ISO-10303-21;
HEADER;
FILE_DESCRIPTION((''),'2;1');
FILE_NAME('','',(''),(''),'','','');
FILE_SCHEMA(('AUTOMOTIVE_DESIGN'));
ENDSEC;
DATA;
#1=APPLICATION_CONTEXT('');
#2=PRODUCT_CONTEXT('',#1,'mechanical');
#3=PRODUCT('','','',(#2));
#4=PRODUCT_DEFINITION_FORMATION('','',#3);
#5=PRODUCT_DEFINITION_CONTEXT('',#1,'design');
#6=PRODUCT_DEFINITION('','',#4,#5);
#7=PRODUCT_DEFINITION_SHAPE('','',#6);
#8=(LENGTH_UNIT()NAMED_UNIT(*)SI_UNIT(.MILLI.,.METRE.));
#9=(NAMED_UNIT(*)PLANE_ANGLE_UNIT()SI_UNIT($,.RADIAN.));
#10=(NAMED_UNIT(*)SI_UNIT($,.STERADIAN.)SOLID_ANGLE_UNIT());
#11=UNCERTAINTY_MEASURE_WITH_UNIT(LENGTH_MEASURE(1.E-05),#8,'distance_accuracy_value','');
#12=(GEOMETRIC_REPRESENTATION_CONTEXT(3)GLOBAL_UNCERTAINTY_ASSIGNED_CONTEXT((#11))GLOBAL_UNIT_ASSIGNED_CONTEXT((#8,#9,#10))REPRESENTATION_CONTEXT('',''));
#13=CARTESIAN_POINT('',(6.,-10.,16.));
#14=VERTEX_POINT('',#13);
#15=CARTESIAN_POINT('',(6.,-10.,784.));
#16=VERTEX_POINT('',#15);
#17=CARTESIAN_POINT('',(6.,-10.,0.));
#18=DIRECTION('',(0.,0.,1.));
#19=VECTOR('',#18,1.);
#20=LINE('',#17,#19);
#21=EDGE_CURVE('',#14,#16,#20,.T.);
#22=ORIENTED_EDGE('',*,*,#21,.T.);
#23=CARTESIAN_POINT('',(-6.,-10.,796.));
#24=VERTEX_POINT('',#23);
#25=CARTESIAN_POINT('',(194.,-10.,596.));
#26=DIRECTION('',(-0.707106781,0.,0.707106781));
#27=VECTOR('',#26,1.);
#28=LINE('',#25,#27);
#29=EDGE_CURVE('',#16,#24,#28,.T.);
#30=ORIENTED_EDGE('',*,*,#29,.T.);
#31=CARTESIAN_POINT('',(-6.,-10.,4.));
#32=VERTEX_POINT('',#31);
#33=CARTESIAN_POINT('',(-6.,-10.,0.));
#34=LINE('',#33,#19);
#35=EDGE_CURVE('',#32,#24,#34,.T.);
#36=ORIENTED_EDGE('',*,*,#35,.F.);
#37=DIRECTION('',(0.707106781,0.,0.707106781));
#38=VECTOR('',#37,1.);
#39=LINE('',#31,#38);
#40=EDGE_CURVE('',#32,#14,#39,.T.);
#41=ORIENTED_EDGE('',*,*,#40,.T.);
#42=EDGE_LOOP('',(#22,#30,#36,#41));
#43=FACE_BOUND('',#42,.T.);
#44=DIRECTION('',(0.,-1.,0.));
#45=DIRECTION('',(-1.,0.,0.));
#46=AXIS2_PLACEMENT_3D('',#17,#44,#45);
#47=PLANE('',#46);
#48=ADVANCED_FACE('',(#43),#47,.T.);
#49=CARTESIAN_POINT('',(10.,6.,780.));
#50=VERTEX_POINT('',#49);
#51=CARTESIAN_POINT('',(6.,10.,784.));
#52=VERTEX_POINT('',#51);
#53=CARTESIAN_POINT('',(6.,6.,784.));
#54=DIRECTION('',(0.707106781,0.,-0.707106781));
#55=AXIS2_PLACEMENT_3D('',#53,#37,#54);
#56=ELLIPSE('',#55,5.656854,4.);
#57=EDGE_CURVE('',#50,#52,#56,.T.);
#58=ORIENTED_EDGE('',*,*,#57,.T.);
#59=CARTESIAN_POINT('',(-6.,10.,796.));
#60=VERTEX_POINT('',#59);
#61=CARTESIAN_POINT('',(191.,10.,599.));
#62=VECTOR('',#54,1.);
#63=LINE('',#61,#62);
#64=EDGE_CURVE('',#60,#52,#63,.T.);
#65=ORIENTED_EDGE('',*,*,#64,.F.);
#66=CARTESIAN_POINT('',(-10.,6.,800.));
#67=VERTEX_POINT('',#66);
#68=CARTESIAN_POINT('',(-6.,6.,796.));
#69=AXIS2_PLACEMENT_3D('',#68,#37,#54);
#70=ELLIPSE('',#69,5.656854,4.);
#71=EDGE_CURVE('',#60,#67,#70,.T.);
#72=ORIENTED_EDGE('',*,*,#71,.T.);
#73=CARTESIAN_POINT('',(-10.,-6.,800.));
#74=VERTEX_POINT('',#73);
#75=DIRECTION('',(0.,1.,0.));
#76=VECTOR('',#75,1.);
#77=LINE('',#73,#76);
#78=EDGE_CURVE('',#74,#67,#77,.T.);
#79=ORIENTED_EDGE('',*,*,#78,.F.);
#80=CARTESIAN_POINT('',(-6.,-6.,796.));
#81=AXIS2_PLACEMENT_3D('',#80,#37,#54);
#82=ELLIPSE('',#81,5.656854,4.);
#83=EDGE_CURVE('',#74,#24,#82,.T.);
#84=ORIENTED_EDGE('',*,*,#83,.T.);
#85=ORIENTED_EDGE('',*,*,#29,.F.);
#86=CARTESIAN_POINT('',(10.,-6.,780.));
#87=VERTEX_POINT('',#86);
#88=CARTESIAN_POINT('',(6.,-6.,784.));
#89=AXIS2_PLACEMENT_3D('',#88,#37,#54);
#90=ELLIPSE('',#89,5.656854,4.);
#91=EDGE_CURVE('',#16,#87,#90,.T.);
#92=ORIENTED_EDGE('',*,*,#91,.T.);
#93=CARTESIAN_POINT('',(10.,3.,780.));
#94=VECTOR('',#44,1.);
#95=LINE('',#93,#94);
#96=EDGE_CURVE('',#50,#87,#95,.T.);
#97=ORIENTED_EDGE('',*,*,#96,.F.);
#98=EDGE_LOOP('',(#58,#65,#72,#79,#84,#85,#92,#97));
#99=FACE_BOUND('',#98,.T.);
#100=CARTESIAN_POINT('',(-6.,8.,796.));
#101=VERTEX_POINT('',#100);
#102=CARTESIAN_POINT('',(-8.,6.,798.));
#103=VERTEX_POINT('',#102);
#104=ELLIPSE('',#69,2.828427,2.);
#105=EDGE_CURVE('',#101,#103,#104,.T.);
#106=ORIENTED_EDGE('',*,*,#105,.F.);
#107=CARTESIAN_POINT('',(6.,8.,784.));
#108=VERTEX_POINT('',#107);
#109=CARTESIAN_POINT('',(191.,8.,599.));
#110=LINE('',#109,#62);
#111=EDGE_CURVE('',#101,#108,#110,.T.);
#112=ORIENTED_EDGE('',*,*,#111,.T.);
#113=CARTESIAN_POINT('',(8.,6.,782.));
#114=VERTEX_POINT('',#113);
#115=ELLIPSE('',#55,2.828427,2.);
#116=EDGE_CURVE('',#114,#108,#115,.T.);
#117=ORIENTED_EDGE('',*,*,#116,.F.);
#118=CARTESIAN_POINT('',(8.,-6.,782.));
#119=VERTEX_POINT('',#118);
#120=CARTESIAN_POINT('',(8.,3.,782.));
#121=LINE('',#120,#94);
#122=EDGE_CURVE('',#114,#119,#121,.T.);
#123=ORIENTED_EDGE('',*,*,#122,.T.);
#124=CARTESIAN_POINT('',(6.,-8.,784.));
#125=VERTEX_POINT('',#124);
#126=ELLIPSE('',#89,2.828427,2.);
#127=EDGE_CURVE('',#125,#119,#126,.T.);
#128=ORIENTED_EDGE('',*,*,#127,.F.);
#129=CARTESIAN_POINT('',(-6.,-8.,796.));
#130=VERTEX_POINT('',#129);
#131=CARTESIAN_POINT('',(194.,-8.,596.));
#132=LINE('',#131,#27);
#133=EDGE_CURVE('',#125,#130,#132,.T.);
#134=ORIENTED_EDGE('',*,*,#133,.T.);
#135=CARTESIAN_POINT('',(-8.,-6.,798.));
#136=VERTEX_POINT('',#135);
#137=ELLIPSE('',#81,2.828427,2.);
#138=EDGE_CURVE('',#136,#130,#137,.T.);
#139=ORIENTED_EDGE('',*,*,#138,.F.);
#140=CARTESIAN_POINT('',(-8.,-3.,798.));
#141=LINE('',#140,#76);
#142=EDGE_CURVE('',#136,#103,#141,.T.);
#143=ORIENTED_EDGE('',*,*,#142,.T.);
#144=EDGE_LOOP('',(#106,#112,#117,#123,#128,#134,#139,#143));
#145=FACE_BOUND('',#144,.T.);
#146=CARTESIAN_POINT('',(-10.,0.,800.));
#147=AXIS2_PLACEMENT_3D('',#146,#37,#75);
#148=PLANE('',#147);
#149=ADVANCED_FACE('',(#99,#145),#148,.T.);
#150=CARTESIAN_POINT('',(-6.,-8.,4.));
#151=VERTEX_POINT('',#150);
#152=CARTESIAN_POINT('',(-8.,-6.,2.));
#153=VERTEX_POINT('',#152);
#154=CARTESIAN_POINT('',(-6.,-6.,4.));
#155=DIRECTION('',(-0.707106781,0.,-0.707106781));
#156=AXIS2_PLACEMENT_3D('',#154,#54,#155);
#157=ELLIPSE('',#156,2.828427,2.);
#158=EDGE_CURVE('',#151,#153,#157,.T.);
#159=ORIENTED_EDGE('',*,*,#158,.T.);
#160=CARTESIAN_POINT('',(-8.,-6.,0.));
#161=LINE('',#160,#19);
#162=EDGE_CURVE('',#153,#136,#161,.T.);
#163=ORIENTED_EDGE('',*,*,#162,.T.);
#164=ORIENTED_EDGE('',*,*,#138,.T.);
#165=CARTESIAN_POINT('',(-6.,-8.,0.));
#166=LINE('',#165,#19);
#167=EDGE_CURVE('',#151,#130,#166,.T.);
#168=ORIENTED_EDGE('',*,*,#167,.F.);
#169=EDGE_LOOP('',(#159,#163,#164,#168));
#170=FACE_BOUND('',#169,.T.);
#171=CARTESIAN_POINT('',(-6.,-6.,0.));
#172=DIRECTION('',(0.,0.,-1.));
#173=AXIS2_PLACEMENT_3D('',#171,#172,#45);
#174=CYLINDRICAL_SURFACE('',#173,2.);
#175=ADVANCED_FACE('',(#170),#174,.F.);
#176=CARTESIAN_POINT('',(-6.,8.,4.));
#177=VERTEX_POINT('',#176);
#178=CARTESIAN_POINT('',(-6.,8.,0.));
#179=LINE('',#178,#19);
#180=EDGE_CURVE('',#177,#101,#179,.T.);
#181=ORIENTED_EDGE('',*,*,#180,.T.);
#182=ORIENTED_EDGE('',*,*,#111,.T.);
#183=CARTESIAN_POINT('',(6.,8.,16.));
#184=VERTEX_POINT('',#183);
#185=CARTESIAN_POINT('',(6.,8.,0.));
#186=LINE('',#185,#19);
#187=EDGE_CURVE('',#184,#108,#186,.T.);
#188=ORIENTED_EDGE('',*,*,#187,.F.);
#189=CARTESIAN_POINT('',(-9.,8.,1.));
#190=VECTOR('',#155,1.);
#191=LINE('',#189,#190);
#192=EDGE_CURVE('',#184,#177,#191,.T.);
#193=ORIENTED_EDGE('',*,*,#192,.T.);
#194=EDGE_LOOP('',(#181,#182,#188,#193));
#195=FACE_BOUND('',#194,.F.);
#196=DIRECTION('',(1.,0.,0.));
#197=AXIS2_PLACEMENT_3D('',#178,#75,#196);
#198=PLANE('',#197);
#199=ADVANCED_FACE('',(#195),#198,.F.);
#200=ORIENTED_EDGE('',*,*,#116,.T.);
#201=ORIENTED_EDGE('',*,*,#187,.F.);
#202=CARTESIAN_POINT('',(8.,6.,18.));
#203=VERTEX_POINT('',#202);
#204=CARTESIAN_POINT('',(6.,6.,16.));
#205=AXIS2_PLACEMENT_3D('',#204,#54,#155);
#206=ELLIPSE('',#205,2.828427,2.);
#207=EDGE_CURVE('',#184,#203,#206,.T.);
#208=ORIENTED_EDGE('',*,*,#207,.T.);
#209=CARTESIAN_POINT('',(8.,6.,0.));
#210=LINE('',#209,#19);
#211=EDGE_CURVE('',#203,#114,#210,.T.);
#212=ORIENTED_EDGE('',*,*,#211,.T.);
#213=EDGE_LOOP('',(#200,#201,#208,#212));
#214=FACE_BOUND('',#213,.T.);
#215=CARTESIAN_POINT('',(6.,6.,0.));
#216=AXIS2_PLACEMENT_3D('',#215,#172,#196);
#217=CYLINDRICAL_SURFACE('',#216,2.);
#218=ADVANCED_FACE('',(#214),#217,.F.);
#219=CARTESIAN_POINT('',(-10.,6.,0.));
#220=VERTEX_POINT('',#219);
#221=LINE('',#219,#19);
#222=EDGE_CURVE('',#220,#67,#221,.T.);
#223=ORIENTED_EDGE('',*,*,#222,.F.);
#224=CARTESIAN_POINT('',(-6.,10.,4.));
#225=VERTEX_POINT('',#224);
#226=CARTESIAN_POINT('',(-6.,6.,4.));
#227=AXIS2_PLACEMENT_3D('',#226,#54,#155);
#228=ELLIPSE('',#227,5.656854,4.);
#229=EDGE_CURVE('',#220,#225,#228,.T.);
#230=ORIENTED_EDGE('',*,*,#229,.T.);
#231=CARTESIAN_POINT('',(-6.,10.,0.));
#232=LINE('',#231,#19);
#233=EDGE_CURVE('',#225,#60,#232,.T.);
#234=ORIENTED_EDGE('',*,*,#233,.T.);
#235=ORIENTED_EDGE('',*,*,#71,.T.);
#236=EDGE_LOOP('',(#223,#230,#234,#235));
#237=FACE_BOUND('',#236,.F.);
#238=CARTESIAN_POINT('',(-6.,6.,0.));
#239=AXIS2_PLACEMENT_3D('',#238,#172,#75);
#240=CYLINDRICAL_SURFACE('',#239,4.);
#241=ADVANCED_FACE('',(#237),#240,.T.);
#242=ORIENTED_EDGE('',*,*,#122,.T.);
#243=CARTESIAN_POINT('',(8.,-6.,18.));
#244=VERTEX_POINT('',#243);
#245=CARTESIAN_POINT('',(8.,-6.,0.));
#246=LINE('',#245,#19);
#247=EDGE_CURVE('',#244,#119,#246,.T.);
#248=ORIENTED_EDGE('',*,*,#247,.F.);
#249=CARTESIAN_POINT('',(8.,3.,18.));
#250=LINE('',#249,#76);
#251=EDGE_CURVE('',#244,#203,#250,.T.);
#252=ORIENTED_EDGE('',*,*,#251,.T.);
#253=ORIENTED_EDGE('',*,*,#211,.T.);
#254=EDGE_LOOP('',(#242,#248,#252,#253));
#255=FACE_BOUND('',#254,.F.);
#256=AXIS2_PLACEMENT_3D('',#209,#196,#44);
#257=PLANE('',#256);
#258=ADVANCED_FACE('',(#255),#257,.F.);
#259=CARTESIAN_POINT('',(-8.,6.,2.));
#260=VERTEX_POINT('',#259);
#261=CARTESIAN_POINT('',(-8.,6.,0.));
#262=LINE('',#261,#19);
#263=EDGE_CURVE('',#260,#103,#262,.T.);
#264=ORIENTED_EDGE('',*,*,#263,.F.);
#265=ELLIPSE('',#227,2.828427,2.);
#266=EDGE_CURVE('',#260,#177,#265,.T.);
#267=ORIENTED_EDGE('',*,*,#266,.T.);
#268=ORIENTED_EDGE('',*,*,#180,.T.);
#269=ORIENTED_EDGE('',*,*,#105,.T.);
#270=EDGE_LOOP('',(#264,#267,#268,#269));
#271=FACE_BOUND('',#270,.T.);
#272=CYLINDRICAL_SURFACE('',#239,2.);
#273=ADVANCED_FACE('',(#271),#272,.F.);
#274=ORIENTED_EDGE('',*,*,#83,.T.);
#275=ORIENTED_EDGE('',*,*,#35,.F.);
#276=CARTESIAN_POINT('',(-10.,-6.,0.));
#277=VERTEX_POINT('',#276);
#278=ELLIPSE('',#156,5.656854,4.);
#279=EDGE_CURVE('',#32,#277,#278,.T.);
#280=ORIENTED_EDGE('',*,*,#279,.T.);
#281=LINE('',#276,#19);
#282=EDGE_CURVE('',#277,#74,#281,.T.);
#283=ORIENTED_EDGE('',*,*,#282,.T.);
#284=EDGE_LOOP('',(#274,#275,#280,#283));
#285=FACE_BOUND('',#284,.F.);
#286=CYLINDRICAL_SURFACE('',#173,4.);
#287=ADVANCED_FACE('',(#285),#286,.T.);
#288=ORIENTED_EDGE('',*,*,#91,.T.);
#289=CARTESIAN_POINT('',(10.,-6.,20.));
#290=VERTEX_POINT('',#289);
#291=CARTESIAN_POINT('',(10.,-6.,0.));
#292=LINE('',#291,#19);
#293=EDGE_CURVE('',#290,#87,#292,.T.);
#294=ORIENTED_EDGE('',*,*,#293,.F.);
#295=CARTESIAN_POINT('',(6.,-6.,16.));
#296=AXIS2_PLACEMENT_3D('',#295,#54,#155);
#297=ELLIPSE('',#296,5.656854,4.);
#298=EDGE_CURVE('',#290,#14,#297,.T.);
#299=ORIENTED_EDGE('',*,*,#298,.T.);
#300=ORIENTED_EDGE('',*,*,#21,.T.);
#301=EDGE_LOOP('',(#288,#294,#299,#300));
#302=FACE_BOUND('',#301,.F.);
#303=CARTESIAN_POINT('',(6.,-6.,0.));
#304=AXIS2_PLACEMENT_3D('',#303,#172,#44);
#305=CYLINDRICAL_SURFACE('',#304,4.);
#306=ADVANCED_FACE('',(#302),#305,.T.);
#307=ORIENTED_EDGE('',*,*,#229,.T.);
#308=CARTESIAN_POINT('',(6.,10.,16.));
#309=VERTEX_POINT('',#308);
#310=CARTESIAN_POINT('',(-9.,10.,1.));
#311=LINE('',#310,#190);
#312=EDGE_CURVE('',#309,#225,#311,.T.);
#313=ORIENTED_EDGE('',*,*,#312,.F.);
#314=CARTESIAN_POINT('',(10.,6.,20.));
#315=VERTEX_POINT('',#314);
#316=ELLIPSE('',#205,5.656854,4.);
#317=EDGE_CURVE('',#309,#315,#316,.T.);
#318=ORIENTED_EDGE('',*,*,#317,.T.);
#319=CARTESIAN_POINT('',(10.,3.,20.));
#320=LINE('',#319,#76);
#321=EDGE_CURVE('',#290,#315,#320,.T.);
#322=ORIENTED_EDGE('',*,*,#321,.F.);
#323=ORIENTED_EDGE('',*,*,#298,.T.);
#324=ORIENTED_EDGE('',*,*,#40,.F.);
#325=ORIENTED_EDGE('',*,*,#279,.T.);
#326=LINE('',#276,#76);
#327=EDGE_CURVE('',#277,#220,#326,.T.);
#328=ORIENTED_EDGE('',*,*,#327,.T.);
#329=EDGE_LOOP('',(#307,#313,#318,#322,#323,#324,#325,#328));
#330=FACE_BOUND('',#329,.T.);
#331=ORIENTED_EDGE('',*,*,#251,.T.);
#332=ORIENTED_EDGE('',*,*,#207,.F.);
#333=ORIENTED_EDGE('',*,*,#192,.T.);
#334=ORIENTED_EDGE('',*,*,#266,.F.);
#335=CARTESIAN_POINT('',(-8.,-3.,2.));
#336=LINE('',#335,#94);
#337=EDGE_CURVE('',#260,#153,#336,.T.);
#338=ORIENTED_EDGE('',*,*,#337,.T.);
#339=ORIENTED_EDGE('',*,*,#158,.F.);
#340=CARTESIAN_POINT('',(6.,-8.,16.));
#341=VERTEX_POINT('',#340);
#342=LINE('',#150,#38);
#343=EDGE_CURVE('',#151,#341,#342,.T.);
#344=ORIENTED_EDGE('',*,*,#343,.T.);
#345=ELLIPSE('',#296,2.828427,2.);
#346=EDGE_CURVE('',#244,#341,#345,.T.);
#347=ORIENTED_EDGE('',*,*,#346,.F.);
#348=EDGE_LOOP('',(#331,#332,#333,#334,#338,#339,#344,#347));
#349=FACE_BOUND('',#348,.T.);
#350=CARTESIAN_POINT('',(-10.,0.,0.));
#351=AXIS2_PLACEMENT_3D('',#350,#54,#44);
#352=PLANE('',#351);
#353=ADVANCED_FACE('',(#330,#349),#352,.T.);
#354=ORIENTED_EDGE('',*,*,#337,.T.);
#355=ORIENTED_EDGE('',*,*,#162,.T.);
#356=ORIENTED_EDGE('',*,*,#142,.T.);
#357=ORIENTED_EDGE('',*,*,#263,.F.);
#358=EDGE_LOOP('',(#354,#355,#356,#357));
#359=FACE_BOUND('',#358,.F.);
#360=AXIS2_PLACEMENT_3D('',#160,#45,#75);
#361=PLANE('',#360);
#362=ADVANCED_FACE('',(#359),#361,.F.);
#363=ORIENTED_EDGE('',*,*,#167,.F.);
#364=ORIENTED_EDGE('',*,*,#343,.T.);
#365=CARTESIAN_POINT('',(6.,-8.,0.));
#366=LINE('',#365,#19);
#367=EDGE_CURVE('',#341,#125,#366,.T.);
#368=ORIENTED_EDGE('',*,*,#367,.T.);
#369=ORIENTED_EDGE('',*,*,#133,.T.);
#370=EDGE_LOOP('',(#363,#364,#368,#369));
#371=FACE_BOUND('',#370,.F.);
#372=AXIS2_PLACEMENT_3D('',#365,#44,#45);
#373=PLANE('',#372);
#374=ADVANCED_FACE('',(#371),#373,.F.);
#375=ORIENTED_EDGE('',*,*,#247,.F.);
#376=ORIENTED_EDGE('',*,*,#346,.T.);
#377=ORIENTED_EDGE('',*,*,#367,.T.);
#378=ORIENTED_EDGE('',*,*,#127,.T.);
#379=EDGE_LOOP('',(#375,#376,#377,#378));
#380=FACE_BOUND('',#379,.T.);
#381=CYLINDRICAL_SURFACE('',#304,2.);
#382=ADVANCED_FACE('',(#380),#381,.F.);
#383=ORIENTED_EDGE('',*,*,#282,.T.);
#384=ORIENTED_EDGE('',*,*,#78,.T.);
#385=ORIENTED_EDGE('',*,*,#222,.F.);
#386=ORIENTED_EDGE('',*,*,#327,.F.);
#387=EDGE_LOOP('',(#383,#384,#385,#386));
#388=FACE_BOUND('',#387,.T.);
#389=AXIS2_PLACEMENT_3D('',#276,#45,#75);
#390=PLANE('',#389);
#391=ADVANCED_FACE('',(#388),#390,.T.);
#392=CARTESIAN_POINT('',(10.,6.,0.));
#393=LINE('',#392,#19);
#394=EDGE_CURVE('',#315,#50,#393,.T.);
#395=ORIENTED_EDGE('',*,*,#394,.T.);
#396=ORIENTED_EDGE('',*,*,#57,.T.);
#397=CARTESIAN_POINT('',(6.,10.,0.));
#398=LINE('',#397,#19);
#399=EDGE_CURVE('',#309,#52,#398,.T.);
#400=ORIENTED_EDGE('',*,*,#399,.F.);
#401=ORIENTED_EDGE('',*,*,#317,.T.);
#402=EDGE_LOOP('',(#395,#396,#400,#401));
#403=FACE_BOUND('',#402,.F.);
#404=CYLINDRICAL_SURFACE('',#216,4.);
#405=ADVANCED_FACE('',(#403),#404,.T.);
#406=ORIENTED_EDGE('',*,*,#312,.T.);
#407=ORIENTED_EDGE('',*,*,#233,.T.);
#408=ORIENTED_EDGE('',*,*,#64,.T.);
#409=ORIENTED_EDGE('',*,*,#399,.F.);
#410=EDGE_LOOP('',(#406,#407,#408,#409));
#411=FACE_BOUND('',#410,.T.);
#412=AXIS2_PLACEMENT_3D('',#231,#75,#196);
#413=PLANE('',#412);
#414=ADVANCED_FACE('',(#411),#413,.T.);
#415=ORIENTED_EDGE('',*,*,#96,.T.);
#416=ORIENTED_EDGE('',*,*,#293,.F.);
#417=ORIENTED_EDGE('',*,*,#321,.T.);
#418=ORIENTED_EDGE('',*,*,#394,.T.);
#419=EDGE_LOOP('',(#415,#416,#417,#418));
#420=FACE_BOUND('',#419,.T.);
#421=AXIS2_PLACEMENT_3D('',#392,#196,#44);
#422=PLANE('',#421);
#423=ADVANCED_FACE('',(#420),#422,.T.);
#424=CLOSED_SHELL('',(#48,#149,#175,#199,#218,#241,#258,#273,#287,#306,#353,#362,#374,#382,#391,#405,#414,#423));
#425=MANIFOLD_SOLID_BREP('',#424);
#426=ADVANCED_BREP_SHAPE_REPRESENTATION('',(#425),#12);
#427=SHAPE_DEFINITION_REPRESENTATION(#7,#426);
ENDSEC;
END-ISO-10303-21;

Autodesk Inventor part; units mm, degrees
ref_plane "Start plane" through (0, 0, 0) normal (0, 0, 1) x (1, 0, 0)
ref_plane "End plane" through (0, 0, 800) normal (0, 0, 1) x (1, 0, 0)
sketch "Sketch" plane through (0, 0, 0) normal (0, 0, 1) x (1, 0, 0)
  line L0 (-10, -6) -> (-10, 6)
  line L1 (-6, 10) -> (6, 10)
  line L2 (10, 6) -> (10, -6)
  line L3 (6, -10) -> (-6, -10)
  arc A0 (-10, -6) -> (-6, -10) centre (-6, -6) ccw
  arc A1 (10, 6) -> (6, 10) centre (6, 6) ccw
  arc A2 (-6, 10) -> (-10, 6) centre (-6, 6) ccw
  arc A3 (6, -10) -> (10, -6) centre (6, -6) ccw
  arc A4 (-6, 8) -> (-8, 6) centre (-6, 6) ccw
  line L4 (-6, 8) -> (6, 8)
  arc A5 (8, 6) -> (6, 8) centre (6, 6) ccw
  line L5 (8, 6) -> (8, -6)
  arc A6 (6, -8) -> (8, -6) centre (6, -6) ccw
  line L6 (6, -8) -> (-6, -8)
  arc A7 (-8, -6) -> (-6, -8) centre (-6, -6) ccw
  line L7 (-8, -6) -> (-8, 6)
  line L8 (0, 15.1598) -> (0, -15.1598) construction
  line L9 (-15.1598, 0) -> (15.1598, 0) construction
  dimension "d7" = 4
  dimension "d9" = 20
  dimension "d11" = 20
  dimension "d12" = 2
  dimension "d15" = 10
  dimension "d16" = 10
extrude "Body" add sketch "Sketch" along normal up to surface (800 mm away) from surface at 0
sketch "Sketch3" plane through (0, 0, 0) normal (0, 0, 1) x (1, 0, 0)
  line L0 (0, 0) -> (10, 0)
ref_plane "Work Plane3" through (0, 0, 0) normal (0, -1, 0) x (1, 0, 0)
sketch "Sketch4" plane through (0, 0, 0) normal (0, -1, 0) x (1, 0, 0)
  line L0 (-2, 0) -> (12, 0)
  line L1 (-2, 800) -> (12, 800)
  dimension "d18" = 800
ref_plane "Work Plane4" through (-10, 0, 800) normal (0.7071, 0, 0.7071) x (0.7071, 0, -0.7071)
split "Split1" plane through (-10, 0, 800) removes the side toward (0.7071, 0, 0.7071)
ref_plane "Work Plane5" through (-10, 0, 0) normal (0.7071, 0, -0.7071) x (-0.7071, 0, -0.7071)
split "Split2" plane through (-10, 0, 0) removes the side toward (0.7071, 0, -0.7071)
ref_plane "Work Plane6" through (0, 1090, 0) normal (0, 0, -1) x (-1, 0, 0)
split "Split3" plane through (0, 1090, 0) removes the side toward (0, 0, -1)
equation "\"d7\" = G_IR"
equation "\"d9\" = G_W"
equation "\"d11\" = G_H"
equation "\"d12\" = G_T"
equation "\"d15\" = 0.5 * d9"
equation "\"d16\" = 0.5 * d11"
equation "\"d3\" = G_L"
equation "\"G_W\" = 20"
equation "\"G_H\" = 20"
equation "\"G_T\" = 2"
equation "\"G_IR\" = 4"
equation "\"G_L\" = d18"
equation "\"G_OFFSET_START\" = 0"
equation "\"G_OFFSET_END\" = 0"
properties part number "ISO 4019 - 20x20x2 - 800" material "Steel, Mild"
